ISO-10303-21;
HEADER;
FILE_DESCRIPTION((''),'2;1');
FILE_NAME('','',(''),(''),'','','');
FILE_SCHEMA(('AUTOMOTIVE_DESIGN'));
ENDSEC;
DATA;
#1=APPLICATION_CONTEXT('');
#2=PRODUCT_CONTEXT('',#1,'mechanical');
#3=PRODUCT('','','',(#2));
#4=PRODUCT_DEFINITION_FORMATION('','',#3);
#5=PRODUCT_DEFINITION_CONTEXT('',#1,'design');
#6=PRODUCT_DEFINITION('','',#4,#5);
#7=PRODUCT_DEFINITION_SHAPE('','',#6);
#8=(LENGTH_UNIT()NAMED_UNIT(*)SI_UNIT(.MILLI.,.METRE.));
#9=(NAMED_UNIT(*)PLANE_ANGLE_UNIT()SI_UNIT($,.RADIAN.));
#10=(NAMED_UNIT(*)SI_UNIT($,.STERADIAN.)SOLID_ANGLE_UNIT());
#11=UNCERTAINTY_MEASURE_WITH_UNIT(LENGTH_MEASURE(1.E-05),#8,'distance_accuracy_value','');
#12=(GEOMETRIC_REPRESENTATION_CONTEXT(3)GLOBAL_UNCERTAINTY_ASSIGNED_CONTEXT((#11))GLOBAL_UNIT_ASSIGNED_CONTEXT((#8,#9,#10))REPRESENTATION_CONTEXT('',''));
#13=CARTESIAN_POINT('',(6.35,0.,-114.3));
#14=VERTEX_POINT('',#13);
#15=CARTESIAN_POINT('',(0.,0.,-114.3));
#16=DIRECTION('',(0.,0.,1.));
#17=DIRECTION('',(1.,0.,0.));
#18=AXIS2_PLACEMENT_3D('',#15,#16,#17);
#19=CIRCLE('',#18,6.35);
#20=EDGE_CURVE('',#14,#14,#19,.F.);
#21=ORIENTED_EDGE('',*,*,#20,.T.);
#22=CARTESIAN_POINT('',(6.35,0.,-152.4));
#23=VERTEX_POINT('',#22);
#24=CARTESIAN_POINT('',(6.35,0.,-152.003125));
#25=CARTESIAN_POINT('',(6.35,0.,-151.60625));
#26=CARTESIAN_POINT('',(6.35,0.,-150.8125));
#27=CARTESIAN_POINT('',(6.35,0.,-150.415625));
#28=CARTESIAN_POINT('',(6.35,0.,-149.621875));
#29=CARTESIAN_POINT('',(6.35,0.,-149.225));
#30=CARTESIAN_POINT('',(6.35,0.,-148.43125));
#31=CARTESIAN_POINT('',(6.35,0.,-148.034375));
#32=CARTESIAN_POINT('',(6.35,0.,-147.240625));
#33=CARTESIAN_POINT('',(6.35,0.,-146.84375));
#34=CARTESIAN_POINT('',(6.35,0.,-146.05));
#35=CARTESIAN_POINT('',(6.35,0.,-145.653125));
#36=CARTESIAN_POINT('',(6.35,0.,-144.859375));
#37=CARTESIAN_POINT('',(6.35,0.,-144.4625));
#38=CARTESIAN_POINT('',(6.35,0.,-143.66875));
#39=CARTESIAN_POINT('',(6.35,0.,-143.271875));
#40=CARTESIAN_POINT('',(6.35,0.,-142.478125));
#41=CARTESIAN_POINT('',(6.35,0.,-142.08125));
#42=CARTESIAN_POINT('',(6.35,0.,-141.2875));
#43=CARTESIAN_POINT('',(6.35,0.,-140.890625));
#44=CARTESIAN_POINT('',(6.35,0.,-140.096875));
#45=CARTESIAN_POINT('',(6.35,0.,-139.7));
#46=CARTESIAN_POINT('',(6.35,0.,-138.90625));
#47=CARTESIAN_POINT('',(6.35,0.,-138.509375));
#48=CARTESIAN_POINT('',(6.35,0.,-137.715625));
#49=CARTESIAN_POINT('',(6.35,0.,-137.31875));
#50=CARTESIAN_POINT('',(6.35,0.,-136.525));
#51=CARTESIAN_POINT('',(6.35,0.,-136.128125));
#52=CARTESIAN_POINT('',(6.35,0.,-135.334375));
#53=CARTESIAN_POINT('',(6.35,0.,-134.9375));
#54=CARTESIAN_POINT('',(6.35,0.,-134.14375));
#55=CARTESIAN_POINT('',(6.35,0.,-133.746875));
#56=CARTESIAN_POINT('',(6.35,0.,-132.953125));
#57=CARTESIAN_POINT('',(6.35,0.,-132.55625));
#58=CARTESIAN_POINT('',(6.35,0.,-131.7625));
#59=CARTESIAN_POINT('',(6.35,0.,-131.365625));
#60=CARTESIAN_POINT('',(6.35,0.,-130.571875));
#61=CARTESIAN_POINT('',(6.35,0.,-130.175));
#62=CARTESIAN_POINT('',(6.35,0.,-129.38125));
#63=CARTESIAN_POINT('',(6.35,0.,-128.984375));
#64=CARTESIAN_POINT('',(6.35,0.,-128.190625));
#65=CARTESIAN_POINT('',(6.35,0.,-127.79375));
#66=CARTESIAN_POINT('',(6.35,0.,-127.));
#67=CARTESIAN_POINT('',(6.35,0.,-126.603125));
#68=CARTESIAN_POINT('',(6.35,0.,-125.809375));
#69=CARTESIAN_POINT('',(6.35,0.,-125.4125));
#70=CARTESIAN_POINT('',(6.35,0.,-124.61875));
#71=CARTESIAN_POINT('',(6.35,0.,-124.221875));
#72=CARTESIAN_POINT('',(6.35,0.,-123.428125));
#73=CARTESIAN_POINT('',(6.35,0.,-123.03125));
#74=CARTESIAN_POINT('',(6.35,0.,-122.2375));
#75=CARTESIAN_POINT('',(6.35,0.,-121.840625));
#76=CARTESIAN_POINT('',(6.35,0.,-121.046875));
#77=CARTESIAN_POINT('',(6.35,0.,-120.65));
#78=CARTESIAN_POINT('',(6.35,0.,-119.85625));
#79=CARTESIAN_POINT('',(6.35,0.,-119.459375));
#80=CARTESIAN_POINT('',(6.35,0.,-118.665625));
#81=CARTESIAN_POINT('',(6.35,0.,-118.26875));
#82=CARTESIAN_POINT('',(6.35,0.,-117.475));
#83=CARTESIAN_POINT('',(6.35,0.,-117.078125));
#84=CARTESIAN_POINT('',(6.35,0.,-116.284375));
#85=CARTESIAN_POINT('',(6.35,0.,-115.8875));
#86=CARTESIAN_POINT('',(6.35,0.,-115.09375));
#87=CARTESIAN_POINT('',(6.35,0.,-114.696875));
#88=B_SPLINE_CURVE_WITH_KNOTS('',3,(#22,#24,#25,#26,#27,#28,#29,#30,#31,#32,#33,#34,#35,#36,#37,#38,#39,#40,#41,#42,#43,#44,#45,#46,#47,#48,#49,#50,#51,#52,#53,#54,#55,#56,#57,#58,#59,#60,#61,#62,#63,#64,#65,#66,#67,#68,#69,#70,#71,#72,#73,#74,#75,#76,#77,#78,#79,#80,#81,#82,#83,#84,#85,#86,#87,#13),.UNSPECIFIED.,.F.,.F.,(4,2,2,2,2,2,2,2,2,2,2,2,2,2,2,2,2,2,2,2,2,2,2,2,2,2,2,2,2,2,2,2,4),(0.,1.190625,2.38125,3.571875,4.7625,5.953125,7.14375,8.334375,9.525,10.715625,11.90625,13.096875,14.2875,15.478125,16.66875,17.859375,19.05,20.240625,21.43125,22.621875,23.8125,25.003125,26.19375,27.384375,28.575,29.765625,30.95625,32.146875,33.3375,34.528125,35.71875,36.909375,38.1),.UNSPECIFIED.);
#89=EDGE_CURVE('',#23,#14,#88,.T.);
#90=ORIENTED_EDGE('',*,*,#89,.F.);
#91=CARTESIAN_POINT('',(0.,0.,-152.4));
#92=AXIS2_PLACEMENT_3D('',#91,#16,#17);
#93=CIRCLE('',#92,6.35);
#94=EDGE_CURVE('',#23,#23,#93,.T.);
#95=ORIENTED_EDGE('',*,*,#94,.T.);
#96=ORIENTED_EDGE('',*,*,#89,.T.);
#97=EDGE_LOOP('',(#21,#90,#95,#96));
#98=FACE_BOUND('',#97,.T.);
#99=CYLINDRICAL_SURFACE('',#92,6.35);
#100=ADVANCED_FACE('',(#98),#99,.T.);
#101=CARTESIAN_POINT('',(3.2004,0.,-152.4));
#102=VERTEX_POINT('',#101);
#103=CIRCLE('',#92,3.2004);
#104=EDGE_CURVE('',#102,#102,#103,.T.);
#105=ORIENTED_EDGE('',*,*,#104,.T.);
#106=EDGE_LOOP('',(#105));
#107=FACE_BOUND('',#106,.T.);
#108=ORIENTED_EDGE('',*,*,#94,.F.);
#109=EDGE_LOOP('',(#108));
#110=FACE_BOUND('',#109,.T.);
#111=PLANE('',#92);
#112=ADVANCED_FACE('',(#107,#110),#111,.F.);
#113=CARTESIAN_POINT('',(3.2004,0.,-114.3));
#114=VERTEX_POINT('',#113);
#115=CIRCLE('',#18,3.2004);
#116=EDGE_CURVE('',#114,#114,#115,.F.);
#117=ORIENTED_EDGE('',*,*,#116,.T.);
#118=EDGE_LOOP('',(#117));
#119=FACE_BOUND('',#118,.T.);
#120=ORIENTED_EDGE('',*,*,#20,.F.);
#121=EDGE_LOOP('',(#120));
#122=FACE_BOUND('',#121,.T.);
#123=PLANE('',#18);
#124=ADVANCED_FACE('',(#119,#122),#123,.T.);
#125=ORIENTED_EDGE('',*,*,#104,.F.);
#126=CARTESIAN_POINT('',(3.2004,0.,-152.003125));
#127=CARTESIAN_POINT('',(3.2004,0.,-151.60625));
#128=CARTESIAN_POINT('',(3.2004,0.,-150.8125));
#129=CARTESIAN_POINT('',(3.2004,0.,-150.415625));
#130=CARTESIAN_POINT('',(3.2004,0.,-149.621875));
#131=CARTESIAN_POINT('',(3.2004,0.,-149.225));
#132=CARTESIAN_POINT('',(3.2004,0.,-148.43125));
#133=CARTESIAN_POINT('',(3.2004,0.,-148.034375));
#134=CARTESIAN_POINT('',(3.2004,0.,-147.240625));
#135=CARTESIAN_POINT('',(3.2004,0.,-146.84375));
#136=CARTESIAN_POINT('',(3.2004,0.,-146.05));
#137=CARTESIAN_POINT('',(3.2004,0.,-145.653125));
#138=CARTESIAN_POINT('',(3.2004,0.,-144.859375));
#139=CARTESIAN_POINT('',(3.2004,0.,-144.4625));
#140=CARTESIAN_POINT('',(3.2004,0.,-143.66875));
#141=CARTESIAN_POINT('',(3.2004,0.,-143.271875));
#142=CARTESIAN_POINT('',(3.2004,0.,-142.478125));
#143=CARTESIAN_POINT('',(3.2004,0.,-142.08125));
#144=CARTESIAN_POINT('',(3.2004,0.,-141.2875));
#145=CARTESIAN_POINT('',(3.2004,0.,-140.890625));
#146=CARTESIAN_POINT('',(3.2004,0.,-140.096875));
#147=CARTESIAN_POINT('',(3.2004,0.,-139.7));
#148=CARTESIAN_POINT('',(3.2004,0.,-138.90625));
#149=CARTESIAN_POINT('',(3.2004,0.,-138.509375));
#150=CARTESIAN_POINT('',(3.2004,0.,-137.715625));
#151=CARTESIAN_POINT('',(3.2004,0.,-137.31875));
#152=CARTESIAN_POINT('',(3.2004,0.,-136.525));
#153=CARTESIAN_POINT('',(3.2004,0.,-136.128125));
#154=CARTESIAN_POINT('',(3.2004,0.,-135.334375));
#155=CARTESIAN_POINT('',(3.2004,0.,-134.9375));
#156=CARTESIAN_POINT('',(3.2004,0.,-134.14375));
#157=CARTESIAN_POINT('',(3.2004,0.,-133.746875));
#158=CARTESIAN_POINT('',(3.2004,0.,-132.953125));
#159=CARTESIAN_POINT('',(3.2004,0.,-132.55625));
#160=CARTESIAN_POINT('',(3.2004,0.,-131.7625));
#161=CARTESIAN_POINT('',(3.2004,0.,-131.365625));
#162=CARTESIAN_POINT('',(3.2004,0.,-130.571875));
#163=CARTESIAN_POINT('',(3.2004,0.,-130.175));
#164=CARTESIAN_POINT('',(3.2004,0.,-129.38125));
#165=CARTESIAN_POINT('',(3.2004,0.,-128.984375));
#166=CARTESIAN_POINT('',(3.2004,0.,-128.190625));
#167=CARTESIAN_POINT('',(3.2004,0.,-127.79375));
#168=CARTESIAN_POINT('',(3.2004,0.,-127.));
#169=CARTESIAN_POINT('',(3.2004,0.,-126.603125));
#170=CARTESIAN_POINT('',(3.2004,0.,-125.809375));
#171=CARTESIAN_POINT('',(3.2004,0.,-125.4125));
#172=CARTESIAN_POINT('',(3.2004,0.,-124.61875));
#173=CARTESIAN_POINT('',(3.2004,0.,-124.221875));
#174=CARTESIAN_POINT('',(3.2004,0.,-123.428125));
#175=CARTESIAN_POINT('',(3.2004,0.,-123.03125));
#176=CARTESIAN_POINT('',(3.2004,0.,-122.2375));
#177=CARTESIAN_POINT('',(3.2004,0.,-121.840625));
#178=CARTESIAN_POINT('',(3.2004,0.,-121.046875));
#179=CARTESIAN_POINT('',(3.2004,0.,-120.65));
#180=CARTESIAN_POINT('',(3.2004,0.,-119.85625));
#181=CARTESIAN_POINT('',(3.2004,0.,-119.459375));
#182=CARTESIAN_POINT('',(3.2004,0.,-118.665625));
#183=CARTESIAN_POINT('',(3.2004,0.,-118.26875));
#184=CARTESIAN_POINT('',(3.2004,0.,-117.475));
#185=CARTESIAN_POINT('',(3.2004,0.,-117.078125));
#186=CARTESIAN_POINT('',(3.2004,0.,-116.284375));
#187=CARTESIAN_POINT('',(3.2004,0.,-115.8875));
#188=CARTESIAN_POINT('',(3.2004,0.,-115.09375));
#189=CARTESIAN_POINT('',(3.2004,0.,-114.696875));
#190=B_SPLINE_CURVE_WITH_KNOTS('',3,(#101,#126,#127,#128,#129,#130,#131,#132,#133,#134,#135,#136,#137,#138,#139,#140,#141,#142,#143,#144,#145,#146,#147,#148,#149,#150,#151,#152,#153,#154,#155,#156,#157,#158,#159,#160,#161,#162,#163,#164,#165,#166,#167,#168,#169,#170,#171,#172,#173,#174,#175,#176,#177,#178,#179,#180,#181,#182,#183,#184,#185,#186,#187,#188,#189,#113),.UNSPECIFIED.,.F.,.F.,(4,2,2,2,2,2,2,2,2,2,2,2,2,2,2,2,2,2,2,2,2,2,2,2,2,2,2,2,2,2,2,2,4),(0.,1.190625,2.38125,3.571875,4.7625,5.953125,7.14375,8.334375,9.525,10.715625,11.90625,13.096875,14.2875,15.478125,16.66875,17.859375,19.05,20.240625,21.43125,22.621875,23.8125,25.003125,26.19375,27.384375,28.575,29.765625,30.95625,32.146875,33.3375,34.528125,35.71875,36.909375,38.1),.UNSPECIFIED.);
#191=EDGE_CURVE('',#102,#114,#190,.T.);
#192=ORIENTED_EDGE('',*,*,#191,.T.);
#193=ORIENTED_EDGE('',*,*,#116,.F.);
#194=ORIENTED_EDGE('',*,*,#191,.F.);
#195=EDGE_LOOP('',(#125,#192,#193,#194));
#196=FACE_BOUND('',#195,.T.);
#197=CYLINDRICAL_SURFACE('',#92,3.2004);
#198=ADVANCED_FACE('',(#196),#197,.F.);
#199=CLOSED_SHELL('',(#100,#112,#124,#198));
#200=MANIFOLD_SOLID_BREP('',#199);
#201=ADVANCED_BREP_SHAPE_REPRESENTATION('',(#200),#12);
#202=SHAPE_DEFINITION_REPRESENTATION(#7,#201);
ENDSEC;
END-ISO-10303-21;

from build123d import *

# Parameters (mm, degrees)
BOSS_EXTRUDE1_DEPTH      = 152.4
BOSS_EXTRUDE1_DEPTH_BACK = 152.4
SKETCH3_R                = 6.35
SKETCH3_R_2              = 3.2004
SKETCH4_R                = 25.4
CUT_EXTRUDE1_DEPTH       = 266.7


with BuildPart() as part:
    # Sketch3 → Boss-Extrude1 (new, two sides: drawn at the far end of the back side and taken through both)
    with BuildSketch(Plane.XY.offset(-BOSS_EXTRUDE1_DEPTH_BACK)):
        Circle(SKETCH3_R)
        Circle(SKETCH3_R_2, mode=Mode.SUBTRACT)
    extrude(amount=BOSS_EXTRUDE1_DEPTH + BOSS_EXTRUDE1_DEPTH_BACK)

    # Sketch4 → Cut-Extrude1 (cut)
    with BuildSketch(Plane.XY.offset(152.4)):
        Circle(SKETCH4_R)
    extrude(amount=-CUT_EXTRUDE1_DEPTH, mode=Mode.SUBTRACT)


solid = part.part
